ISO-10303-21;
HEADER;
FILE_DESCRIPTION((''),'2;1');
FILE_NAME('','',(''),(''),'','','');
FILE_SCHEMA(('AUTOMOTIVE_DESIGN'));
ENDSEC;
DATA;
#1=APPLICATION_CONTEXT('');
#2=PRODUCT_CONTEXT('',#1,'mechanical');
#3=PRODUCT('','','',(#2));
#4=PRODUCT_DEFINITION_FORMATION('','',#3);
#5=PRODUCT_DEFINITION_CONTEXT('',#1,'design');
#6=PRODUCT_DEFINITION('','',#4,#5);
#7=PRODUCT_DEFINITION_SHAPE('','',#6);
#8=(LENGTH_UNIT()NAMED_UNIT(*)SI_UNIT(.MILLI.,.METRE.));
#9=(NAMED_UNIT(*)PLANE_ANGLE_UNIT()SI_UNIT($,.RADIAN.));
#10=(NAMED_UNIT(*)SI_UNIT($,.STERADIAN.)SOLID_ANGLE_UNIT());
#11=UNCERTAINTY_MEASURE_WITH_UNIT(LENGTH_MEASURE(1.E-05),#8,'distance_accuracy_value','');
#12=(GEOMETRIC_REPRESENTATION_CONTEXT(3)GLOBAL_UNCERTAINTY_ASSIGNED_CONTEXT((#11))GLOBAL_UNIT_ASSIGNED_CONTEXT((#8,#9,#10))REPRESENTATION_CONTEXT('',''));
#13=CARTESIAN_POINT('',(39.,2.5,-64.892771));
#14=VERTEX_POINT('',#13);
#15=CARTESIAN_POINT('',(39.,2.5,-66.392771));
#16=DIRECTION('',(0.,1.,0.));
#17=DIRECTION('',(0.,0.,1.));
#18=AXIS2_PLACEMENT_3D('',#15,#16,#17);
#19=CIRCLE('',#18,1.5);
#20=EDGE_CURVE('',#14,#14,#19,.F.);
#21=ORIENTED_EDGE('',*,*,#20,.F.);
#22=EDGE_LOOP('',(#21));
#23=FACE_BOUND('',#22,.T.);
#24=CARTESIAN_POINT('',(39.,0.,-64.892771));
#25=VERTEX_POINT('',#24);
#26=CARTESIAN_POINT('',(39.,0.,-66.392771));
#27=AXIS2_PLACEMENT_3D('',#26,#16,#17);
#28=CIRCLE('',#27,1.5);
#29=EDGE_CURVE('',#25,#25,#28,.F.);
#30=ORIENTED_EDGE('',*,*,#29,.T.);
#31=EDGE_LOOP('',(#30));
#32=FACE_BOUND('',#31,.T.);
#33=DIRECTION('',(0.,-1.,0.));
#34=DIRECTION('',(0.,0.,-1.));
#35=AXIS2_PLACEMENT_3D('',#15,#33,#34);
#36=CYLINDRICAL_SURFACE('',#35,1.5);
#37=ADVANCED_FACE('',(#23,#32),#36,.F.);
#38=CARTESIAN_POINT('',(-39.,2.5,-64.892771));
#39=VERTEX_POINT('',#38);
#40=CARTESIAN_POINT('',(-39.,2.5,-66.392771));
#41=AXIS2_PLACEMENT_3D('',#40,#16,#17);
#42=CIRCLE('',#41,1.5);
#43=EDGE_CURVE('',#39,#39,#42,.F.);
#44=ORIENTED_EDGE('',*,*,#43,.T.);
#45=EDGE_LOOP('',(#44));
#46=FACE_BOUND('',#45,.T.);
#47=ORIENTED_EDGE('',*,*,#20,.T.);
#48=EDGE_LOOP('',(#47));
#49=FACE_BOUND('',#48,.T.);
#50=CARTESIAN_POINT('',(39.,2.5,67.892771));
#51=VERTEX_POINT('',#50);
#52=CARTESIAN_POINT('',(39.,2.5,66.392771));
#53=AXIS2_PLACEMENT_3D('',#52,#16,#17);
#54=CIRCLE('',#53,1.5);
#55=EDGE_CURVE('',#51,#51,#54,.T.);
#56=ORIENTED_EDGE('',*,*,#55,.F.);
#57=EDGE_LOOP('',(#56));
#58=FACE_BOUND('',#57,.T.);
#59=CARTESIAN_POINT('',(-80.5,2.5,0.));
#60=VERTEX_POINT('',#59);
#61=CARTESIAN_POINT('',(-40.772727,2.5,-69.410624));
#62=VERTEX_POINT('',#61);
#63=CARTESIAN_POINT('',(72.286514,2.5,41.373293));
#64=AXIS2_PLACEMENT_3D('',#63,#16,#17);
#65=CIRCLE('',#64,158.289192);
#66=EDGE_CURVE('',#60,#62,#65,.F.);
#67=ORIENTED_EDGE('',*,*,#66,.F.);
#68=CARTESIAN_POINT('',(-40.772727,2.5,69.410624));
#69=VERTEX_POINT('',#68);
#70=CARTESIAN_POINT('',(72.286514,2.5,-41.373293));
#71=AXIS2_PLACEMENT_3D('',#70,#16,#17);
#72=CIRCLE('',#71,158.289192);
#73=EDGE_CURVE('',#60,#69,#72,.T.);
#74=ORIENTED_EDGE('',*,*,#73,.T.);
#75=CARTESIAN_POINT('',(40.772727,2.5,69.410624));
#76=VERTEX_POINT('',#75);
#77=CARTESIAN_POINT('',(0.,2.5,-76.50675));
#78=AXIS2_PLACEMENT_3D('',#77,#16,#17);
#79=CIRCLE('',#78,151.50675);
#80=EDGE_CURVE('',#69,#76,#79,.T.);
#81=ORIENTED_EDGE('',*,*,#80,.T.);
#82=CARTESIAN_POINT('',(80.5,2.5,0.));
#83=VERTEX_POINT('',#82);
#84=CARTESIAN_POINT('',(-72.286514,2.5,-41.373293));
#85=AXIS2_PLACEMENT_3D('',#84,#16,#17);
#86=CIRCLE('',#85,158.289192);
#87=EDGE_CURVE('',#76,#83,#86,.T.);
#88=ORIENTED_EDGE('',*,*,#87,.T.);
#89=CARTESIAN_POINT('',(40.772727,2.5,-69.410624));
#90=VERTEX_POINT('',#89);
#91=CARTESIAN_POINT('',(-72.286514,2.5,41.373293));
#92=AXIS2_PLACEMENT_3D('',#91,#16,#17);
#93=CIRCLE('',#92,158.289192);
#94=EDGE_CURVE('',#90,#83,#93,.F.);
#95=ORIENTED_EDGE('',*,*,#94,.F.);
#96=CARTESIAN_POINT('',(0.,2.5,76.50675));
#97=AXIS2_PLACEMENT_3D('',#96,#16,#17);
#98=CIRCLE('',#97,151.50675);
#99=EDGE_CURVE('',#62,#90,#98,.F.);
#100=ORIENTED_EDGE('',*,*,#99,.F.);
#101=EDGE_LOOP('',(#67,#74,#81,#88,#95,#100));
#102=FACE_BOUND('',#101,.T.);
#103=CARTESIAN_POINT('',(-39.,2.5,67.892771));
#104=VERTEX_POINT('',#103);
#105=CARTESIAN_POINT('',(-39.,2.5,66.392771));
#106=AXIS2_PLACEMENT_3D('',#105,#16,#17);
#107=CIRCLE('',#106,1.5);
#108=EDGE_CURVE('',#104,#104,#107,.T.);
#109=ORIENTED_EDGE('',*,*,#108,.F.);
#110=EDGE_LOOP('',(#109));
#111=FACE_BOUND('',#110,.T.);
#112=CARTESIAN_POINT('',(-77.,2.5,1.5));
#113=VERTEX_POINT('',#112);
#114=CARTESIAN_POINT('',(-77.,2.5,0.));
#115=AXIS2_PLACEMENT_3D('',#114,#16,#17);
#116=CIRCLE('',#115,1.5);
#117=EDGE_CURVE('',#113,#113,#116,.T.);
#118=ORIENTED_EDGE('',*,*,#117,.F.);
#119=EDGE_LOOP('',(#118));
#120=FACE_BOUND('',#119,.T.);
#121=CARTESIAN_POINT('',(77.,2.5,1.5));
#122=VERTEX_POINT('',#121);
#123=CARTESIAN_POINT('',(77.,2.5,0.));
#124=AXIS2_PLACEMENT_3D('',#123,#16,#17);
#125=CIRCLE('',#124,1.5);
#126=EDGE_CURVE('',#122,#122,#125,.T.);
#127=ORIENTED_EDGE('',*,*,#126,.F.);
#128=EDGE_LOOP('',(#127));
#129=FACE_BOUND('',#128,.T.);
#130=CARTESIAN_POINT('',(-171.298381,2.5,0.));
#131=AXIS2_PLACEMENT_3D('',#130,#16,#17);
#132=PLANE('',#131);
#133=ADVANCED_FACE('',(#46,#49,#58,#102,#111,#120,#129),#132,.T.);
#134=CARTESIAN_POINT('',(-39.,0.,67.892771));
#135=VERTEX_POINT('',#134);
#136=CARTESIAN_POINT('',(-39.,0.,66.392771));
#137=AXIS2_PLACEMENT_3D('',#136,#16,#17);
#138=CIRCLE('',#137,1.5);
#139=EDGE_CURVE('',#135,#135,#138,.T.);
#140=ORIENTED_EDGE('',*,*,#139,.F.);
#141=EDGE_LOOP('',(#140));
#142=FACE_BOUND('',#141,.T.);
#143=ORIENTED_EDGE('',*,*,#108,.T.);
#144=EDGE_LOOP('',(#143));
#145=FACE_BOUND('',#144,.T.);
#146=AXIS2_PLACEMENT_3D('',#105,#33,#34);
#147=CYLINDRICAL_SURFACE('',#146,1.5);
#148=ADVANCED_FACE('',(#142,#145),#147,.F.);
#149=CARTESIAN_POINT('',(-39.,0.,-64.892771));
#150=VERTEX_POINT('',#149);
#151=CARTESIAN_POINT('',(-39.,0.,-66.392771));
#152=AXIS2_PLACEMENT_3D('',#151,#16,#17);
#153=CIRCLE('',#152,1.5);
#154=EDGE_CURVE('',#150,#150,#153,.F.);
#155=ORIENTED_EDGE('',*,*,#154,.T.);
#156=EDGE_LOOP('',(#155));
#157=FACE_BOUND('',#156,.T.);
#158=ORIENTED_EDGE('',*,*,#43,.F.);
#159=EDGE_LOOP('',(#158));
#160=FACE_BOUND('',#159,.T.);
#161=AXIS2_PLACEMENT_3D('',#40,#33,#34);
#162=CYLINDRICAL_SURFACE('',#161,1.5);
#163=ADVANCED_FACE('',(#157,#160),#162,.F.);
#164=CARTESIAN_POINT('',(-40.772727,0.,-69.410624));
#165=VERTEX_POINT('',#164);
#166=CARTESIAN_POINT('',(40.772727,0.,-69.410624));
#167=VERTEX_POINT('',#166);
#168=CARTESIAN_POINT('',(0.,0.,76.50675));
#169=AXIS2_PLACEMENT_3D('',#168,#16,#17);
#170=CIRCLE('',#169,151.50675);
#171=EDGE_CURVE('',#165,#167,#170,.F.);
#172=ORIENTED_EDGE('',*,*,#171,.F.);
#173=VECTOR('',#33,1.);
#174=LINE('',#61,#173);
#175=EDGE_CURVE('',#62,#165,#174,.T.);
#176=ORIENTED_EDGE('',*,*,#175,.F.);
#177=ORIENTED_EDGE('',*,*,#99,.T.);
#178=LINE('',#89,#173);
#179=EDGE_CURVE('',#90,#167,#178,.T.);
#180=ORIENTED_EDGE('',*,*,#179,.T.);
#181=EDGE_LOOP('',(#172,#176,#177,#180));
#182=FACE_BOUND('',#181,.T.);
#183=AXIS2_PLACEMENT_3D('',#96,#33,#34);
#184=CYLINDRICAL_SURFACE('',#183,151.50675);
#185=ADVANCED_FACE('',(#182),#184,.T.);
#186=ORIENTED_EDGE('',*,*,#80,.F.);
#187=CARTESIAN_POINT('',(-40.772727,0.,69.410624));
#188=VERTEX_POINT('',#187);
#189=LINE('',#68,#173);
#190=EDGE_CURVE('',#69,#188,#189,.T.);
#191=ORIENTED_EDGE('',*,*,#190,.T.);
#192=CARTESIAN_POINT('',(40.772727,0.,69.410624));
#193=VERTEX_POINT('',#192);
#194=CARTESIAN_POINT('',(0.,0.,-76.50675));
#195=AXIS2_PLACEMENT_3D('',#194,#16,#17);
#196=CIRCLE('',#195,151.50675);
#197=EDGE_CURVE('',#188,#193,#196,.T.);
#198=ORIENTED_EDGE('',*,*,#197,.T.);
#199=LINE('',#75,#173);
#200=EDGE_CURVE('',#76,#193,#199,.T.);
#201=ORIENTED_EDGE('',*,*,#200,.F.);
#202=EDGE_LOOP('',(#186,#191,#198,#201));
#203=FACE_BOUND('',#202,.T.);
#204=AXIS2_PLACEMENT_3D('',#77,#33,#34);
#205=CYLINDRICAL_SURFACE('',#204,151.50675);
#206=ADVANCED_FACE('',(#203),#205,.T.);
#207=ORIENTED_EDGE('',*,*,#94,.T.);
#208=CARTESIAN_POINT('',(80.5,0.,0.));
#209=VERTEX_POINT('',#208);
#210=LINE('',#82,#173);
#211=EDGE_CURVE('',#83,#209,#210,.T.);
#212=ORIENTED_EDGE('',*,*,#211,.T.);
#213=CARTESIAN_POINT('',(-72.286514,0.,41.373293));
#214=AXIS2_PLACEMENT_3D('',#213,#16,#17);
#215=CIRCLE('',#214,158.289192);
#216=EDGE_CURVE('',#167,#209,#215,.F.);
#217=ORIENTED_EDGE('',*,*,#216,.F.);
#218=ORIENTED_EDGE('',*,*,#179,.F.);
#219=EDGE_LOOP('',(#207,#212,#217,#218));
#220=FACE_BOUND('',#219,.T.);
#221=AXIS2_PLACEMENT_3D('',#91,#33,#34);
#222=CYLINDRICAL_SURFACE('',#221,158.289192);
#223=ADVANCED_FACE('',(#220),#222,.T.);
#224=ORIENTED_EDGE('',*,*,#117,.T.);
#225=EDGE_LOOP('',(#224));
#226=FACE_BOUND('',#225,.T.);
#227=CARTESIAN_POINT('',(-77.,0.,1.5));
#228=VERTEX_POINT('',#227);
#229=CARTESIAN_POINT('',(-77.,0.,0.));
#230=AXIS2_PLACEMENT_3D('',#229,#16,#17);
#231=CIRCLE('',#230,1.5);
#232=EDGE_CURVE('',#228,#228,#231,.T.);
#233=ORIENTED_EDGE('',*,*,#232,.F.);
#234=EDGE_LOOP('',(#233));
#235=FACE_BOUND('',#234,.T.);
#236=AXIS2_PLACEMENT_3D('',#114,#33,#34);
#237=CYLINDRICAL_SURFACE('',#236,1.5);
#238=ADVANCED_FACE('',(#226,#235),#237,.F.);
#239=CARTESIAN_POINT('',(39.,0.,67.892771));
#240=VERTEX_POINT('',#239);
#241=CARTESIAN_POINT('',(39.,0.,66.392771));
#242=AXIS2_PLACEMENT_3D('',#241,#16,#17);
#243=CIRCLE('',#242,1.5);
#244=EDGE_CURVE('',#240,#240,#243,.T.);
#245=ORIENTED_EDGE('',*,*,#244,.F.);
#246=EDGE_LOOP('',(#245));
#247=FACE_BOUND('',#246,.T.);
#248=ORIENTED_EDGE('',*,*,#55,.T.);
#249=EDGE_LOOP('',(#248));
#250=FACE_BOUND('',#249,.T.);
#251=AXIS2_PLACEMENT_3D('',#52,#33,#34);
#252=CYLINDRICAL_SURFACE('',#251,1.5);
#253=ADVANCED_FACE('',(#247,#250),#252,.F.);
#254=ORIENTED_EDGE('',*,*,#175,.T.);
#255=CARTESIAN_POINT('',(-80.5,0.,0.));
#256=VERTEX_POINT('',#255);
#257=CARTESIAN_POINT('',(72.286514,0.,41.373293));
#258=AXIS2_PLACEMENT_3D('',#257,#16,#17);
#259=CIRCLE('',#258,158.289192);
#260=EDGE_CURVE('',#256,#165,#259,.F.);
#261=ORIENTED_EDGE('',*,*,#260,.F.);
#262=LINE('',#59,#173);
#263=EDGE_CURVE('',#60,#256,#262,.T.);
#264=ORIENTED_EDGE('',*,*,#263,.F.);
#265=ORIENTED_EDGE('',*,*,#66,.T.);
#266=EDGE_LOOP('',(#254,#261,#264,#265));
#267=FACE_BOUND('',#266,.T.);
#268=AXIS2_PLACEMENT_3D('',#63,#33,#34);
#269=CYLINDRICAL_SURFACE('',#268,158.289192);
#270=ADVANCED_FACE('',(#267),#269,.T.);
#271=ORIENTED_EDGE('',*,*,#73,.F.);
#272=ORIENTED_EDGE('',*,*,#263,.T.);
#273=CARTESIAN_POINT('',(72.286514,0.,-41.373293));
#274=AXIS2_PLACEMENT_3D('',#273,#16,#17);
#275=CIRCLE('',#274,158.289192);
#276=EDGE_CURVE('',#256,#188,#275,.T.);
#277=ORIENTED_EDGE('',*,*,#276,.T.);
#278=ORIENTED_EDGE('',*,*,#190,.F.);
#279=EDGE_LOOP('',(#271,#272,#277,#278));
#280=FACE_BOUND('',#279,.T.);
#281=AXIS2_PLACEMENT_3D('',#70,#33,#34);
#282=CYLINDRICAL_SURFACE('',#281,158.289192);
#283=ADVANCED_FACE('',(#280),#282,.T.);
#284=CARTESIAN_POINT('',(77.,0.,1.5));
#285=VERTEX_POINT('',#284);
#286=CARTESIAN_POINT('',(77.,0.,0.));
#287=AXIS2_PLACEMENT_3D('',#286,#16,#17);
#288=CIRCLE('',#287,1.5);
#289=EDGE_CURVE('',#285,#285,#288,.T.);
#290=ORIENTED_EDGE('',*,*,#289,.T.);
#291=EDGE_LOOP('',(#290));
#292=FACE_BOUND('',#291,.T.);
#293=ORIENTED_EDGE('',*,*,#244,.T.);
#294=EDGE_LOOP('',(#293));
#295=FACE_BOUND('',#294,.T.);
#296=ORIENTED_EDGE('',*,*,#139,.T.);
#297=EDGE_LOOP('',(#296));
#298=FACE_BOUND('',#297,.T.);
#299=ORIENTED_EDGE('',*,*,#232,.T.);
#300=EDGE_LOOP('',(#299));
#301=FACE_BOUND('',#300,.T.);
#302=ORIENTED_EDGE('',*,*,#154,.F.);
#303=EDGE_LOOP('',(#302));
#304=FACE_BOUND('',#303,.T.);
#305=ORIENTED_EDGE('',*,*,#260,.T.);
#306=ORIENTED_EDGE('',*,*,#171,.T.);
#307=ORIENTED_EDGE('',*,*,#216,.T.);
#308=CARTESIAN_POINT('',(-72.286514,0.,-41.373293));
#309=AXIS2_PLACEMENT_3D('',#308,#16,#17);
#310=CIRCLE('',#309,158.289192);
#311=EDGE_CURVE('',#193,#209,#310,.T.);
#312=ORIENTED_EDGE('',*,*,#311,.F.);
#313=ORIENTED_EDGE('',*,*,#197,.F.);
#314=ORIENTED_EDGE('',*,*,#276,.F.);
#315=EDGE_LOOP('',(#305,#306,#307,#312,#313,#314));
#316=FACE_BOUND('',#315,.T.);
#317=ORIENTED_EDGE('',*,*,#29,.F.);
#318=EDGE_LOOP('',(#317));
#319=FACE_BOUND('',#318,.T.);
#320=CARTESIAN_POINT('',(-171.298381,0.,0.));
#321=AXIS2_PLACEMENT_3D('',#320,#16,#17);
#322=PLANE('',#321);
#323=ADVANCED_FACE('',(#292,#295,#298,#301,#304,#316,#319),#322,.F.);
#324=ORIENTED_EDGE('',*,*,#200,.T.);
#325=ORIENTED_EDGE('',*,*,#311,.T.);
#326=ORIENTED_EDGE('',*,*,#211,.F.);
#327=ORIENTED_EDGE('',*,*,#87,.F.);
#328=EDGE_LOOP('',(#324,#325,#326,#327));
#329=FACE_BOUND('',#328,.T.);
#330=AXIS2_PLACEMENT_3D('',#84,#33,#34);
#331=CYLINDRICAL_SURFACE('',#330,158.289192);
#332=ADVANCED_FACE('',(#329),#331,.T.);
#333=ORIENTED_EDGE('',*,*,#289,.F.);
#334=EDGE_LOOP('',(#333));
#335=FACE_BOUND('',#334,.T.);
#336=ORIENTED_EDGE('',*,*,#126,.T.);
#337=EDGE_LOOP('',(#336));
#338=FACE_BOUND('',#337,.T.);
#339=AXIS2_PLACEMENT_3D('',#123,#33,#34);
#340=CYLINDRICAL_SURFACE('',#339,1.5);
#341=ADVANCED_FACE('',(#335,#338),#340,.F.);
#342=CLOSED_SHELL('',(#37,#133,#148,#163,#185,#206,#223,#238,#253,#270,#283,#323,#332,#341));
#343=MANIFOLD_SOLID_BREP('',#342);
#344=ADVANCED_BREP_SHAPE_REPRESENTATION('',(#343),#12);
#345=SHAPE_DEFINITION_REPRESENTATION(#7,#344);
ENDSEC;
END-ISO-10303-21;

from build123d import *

# Parameters (mm, degrees)
SKETCH1_R           = 75
SKETCH1_R_2         = 73.5
SKETCH1_R_3         = 1.5
BOSS_EXTRUDE1_DEPTH = 2.5


with BuildPart() as part:
    # Sketch1 → Boss-Extrude1 (new body)
    with BuildSketch(Plane(origin=(0, 0, 0), x_dir=(1, 0, 0), z_dir=(0, 1, 0))):
        Circle(SKETCH1_R)
        Circle(SKETCH1_R_2, mode=Mode.SUBTRACT)
        Circle(SKETCH1_R_2)
        with BuildLine():
            ThreePointArc((-65.092339325, -37.255702398), (-75, -1.885e-06), (-65.092341198, 37.255699125))
            ThreePointArc((-65.092341198, 37.255699125), (-73.987141009, 19.120393419), (-80.5, 0))
            ThreePointArc((-80.5, 0), (-73.987140288, -19.120395161), (-65.092339325, -37.255702398))
        make_face()
        with Locations(Location((-77, 0, 0), (0, 0, 270))):
            Circle(SKETCH1_R_3, mode=Mode.SUBTRACT)
        with BuildLine():
            ThreePointArc((-40.772727273, -69.410623904), (-20.577028262, -73.596152049), (5.64e-07, -75))
            ThreePointArc((5.64e-07, -75), (-37.621950265, -64.881344455), (-65.092339325, -37.255702398))
            ThreePointArc((-65.092339325, -37.255702398), (-53.960444579, -54.110599462), (-40.772727273, -69.410623904))
        make_face()
        with Locations(Location((-39, -66.392770691, 0), (0, 0, 270))):
            Circle(SKETCH1_R_3, mode=Mode.SUBTRACT)
        with BuildLine():
            ThreePointArc((40.772727273, -69.410623904), (53.960444658, -54.110599358), (65.092339455, -37.255702172))
            ThreePointArc((65.092339455, -37.255702172), (37.621950865, -64.881344107), (5.64e-07, -75))
            ThreePointArc((5.64e-07, -75), (20.577028821, -73.596151973), (40.772727273, -69.410623904))
        make_face()
        with Locations(Location((39, -66.392770691, 0), (0, 0, 270))):
            Circle(SKETCH1_R_3, mode=Mode.SUBTRACT)
        with BuildLine():
            ThreePointArc((65.092339583, 37.255701948), (72.480774929, 19.27530196), (75, 0))
            ThreePointArc((75, 0), (72.480774896, -19.275302084), (65.092339455, -37.255702172))
            ThreePointArc((65.092339455, -37.255702172), (73.987140338, -19.120395041), (80.5, 0))
            ThreePointArc((80.5, 0), (73.987140387, 19.120394921), (65.092339583, 37.255701948))
        make_face()
        with Locations(Location((77, 0, 0), (0, 0, 270))):
            Circle(SKETCH1_R_3, mode=Mode.SUBTRACT)
        with BuildLine():
            ThreePointArc((-4.58e-07, 75), (37.621950535, 64.881344298), (65.092339583, 37.255701948))
            ThreePointArc((65.092339583, 37.255701948), (53.960444736, 54.110599255), (40.772727273, 69.410623904))
            ThreePointArc((40.772727273, 69.410623904), (20.577028315, 73.596152042), (-4.58e-07, 75))
        make_face()
        with Locations(Location((39, 66.392770691, 0), (0, 0, 270))):
            Circle(SKETCH1_R_3, mode=Mode.SUBTRACT)
        with BuildLine():
            ThreePointArc((-65.092341198, 37.255699125), (-37.621952338, 64.881343253), (-4.58e-07, 75))
            ThreePointArc((-4.58e-07, 75), (-20.577028768, 73.59615198), (-40.772727273, 69.410623904))
            ThreePointArc((-40.772727273, 69.410623904), (-53.960445716, 54.110597958), (-65.092341198, 37.255699125))
        make_face()
        with Locations(Location((-39, 66.392770691, 0), (0, 0, 270))):
            Circle(SKETCH1_R_3, mode=Mode.SUBTRACT)
    extrude(amount=BOSS_EXTRUDE1_DEPTH)


solid = part.part
